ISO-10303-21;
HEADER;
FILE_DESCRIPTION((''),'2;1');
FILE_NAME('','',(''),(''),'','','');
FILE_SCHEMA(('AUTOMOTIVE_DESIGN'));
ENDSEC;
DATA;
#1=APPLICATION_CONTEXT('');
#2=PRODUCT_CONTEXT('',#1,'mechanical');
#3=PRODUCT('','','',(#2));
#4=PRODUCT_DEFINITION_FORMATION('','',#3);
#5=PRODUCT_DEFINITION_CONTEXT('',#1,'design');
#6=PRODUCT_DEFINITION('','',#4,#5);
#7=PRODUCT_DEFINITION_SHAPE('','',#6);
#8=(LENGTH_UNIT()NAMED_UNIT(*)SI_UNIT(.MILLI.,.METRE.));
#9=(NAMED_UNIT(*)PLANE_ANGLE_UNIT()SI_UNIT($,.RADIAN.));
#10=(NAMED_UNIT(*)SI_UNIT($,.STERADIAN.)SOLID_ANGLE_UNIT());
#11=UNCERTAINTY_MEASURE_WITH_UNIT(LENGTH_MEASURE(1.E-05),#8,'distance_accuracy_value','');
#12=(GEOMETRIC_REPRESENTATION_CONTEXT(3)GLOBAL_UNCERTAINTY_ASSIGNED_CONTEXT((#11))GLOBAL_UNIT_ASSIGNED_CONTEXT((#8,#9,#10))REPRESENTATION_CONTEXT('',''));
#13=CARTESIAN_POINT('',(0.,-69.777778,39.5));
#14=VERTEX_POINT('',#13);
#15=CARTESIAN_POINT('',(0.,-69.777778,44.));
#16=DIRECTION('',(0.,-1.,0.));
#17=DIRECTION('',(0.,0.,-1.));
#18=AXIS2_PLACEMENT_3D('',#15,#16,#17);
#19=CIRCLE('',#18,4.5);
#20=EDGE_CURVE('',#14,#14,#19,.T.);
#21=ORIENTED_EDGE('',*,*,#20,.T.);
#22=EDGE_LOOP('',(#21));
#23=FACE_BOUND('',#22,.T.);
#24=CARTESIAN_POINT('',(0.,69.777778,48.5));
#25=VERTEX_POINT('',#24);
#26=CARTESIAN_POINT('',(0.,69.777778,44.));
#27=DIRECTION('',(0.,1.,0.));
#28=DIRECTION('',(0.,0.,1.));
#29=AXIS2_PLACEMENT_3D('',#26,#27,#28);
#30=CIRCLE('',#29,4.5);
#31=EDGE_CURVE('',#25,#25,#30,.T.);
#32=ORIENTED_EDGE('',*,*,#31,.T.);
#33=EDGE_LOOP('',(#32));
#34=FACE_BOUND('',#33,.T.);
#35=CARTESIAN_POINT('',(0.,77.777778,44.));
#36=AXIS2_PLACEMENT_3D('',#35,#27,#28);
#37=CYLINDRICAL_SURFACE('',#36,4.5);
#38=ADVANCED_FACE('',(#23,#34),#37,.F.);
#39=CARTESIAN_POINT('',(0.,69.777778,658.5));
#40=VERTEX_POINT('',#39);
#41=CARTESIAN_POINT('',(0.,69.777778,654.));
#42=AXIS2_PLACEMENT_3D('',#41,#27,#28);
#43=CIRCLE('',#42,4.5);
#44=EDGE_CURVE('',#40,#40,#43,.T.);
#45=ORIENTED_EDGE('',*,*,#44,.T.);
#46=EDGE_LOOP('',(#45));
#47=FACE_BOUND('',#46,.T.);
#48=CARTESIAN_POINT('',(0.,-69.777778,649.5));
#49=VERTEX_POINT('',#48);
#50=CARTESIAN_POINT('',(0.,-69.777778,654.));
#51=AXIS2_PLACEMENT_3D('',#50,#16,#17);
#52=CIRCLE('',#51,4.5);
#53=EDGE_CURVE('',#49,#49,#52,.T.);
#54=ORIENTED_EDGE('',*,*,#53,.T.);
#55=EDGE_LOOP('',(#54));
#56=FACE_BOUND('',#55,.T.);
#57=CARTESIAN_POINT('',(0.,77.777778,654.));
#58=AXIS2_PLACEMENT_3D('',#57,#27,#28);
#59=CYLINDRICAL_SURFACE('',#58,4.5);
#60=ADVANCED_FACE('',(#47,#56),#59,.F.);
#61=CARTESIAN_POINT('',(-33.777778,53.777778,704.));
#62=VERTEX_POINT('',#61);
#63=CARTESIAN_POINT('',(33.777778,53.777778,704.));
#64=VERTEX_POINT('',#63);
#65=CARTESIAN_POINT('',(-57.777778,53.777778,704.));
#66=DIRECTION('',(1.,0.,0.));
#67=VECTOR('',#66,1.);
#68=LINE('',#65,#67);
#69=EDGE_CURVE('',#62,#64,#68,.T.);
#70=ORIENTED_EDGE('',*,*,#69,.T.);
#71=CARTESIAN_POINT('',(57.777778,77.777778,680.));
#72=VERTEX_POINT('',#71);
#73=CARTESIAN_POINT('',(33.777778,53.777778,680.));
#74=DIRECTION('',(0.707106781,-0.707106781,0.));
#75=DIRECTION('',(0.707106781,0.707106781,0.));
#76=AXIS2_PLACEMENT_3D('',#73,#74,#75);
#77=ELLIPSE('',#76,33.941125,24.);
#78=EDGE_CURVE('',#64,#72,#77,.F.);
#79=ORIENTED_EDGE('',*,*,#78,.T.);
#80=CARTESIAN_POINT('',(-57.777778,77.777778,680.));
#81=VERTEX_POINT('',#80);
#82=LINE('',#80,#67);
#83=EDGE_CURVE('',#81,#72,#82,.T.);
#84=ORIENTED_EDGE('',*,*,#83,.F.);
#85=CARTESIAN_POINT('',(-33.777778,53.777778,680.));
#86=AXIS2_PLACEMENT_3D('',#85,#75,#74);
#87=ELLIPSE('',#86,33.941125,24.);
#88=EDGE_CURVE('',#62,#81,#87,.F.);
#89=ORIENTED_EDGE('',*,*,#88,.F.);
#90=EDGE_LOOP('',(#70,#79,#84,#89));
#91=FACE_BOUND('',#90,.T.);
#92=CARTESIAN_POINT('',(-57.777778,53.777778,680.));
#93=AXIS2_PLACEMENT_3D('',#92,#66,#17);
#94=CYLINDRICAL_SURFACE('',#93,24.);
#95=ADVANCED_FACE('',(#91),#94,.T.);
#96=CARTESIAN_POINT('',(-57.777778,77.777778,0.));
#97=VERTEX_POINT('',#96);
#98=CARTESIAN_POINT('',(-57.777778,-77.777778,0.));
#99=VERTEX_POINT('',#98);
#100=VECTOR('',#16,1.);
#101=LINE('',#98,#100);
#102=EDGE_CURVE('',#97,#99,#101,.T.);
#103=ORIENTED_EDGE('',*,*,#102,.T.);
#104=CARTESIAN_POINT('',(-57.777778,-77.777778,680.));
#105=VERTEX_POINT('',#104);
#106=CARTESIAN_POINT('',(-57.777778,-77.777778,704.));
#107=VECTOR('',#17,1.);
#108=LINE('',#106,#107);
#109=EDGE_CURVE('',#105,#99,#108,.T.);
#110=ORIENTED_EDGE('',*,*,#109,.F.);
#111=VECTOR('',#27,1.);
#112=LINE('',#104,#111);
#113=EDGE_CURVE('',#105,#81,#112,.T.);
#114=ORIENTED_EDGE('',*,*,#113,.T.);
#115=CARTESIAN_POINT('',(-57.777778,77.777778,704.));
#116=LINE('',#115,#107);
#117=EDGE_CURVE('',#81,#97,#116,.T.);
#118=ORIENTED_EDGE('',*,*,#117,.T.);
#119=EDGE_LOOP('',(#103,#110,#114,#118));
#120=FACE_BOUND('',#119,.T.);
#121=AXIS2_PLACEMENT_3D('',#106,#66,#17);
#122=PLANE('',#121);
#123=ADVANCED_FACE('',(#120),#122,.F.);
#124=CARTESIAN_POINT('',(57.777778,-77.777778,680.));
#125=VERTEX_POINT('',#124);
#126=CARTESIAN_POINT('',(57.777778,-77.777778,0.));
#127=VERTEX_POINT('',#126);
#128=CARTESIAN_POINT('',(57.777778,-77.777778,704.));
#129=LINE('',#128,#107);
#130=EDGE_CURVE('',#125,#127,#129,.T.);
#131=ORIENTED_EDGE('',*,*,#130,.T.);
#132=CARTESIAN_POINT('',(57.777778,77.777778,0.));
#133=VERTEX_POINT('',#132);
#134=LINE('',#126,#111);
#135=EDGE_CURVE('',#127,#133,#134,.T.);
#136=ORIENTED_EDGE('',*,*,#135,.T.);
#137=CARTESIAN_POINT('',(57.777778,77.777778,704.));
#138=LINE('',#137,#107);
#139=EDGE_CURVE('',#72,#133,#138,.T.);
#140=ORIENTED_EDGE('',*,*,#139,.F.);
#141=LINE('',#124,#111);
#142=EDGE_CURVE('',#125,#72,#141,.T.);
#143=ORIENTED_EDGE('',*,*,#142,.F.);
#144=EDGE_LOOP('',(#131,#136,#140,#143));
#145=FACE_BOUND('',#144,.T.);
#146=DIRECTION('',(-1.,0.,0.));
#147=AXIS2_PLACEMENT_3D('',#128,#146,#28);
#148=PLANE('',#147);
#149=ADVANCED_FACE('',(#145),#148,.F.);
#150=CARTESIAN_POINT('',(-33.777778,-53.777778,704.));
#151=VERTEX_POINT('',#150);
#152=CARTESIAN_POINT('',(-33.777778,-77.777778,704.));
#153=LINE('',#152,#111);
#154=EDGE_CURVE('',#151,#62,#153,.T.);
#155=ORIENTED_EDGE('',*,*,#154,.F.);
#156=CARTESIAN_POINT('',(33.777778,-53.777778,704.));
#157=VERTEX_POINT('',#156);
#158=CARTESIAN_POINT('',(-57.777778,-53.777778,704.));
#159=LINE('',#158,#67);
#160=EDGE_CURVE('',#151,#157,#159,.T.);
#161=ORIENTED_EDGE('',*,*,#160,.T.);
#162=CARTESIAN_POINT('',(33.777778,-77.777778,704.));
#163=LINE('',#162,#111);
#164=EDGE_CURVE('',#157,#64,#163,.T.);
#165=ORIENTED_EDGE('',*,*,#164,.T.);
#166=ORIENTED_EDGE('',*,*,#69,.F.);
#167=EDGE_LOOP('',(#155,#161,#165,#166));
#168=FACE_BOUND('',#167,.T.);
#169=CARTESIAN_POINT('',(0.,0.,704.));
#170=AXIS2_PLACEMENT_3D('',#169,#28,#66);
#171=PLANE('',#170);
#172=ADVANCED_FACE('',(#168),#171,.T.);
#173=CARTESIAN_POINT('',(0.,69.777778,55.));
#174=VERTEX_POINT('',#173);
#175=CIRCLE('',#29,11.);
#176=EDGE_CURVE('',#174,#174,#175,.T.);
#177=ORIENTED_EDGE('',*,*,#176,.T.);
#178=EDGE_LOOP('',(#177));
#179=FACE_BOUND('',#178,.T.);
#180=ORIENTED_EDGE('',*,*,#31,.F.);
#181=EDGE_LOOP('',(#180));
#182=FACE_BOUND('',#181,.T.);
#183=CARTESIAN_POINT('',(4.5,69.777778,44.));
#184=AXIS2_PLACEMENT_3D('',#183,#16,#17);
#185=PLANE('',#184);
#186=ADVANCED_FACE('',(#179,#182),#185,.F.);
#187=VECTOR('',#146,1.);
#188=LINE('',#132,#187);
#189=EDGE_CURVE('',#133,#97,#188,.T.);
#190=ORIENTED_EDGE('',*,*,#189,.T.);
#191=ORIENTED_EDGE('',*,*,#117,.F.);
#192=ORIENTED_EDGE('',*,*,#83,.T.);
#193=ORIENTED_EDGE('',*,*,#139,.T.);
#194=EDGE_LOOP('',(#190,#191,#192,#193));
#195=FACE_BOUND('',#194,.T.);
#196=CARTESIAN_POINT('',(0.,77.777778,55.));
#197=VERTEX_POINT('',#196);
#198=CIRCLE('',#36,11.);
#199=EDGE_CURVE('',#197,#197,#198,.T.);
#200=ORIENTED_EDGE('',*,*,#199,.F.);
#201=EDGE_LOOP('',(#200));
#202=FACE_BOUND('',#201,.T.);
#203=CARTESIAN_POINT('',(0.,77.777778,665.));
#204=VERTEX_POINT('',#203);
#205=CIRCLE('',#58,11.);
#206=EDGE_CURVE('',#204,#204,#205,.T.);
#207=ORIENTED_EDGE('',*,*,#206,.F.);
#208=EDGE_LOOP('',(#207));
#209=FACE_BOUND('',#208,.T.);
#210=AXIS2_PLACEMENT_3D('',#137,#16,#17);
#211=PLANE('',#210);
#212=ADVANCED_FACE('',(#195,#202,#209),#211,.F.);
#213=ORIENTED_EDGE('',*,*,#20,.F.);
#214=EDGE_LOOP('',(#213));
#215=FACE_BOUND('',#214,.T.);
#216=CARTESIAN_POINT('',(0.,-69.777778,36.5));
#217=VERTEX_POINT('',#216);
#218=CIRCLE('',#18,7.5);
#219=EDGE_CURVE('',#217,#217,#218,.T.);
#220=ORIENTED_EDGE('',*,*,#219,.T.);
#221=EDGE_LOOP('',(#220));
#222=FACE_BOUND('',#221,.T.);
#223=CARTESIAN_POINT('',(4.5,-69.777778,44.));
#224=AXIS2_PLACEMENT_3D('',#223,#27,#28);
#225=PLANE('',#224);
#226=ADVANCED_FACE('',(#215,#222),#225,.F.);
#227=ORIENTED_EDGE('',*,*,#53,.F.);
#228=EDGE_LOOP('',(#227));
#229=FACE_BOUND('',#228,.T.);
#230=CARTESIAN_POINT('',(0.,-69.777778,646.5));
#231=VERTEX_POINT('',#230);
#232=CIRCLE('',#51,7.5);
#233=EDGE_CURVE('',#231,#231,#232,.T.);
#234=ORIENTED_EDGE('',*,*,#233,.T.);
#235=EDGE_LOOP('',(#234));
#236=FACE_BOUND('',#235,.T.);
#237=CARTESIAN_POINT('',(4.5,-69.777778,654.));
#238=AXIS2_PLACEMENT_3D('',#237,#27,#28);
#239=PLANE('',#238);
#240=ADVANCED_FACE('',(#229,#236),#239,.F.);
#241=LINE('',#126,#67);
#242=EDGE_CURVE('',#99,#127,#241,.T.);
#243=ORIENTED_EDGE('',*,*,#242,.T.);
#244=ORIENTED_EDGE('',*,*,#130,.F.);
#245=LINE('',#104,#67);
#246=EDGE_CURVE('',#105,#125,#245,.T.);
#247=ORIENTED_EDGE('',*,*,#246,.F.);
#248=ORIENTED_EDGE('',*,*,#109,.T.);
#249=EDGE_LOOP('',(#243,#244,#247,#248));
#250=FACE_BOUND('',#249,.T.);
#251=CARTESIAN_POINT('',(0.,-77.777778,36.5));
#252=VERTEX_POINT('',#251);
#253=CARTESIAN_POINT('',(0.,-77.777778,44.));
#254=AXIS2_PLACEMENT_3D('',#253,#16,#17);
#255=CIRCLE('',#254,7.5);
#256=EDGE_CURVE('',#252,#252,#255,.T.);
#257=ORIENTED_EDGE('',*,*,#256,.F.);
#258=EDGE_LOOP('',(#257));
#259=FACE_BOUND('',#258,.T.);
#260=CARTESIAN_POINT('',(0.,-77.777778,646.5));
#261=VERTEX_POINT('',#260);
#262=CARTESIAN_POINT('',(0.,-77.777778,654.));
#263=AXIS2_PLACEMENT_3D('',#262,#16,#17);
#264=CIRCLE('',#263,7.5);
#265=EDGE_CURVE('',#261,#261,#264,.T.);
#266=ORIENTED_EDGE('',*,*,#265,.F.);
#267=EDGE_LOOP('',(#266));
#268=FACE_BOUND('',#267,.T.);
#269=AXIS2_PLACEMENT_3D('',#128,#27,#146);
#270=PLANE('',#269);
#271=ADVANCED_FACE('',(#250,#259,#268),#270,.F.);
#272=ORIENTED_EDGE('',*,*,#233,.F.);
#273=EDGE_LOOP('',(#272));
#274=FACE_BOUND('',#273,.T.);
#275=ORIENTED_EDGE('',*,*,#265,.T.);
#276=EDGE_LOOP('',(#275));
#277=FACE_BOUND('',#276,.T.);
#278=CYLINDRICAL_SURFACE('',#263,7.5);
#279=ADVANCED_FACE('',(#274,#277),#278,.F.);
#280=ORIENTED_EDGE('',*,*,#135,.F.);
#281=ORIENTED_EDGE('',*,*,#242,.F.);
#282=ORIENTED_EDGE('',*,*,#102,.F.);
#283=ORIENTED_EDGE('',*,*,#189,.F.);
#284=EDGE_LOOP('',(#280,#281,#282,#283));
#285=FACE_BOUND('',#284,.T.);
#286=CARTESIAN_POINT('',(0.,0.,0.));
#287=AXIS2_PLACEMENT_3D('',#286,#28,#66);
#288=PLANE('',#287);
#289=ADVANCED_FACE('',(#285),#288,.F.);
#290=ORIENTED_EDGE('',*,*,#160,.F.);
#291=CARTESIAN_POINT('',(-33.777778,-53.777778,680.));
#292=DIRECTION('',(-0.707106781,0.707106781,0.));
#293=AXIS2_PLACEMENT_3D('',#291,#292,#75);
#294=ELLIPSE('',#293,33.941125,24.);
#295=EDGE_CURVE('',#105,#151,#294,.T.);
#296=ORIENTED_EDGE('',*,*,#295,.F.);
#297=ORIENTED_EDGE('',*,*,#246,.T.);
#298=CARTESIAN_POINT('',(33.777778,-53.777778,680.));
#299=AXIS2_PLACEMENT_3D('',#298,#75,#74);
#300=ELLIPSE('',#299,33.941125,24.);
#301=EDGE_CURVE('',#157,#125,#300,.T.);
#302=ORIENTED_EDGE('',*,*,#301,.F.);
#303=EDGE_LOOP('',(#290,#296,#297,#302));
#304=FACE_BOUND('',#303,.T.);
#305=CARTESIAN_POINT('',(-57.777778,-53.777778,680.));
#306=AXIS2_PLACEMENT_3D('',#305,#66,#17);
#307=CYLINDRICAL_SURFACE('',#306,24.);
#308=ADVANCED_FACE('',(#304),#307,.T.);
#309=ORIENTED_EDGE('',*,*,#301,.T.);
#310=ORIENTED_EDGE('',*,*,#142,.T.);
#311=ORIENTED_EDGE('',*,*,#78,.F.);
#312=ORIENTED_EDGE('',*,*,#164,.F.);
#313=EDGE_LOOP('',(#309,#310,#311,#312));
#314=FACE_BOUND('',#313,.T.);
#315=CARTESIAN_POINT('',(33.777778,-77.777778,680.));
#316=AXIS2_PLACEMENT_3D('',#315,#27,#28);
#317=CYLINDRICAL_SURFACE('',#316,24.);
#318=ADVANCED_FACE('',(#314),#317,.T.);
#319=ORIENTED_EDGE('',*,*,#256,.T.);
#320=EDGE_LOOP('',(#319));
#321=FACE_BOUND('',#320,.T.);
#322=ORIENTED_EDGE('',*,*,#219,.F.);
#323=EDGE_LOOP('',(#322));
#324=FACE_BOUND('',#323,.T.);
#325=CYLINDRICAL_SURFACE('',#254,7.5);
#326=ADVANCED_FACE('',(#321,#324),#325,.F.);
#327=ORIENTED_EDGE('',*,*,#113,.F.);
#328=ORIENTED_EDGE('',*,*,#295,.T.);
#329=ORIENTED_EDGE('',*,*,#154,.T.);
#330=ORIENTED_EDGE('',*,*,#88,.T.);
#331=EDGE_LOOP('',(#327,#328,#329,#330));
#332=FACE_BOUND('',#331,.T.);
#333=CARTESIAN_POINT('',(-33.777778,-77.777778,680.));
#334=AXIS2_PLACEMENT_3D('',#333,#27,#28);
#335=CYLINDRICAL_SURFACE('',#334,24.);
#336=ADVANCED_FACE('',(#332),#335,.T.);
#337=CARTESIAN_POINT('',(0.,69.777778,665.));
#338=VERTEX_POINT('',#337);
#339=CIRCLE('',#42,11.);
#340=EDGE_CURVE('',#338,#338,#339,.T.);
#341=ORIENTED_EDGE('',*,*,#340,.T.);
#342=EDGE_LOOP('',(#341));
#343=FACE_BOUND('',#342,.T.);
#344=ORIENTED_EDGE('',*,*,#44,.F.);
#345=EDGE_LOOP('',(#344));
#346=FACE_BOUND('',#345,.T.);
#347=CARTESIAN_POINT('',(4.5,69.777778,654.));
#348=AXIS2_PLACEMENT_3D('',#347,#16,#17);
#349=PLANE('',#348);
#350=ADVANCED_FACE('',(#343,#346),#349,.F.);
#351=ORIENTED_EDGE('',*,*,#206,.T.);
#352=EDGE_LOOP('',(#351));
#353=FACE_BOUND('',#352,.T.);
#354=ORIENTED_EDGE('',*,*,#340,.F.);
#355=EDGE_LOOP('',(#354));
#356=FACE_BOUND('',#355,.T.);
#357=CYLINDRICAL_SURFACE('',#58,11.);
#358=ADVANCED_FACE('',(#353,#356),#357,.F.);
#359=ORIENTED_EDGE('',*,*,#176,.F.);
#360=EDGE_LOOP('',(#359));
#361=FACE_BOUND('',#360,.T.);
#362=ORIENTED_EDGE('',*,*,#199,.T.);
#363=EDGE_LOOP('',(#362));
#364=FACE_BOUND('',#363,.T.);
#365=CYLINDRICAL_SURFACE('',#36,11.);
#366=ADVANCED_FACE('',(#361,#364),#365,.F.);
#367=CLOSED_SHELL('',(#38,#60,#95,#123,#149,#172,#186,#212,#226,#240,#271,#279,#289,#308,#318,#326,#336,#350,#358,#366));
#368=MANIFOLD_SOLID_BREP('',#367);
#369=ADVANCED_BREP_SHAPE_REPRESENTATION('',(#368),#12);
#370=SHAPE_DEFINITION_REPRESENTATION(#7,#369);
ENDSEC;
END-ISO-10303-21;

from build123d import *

# Parameters (mm, degrees)
SKIZZE1_W                                           = 115.555555556
SKIZZE1_H                                           = 155.555555556
AUFSATZ_LINEAR_AUSTRAGEN1_DEPTH                     = 704
SCHNITT_LINEAR_AUSTRAGEN1_DEPTH                     = 718.647872662
SCHNITT_LINEAR_AUSTRAGEN2_DEPTH                     = 724.292335414
SPIEGELN2_COPY_1_DEPTH                              = 718.647872662
SPIEGELN2_COPY_2_DEPTH                              = 718.647872662
STIRNSENKUNG_F_R_M8_SENKSCHRAUBE_KOPF_B_D           = 9
STIRNSENKUNG_F_R_M8_SENKSCHRAUBE_KOPF_B_CBORE_D     = 22
STIRNSENKUNG_F_R_M8_SENKSCHRAUBE_KOPF_B_CBORE_DEPTH = 8
STIRNSENKUNG_F_R_M8_SENKSCHRAUBE_KO_2_D             = 9
STIRNSENKUNG_F_R_M8_SENKSCHRAUBE_KO_2_CBORE_D       = 15
STIRNSENKUNG_F_R_M8_SENKSCHRAUBE_KO_2_CBORE_DEPTH   = 8


with BuildPart() as part:
    # Skizze1 → Aufsatz-Linear austragen1 (new body)
    with BuildSketch(Plane.XY):
        Rectangle(SKIZZE1_W, SKIZZE1_H)
    extrude(amount=AUFSATZ_LINEAR_AUSTRAGEN1_DEPTH)

    # Skizze2 → Schnitt-Linear austragen1 (cut, through all)
    with BuildSketch(Plane(origin=(57.777777778, 0, 0), x_dir=(0, 0, -1), z_dir=(1, 0, 0))):
        with BuildLine():
            Line((-704, 53.777777778), (-704, 77.777777778))
            Line((-704, 77.777777778), (-680, 77.777777778))
            ThreePointArc((-680, 77.777777778), (-696.970562748, 70.748340526), (-704, 53.777777778))
        make_face()
    schnitt_linear_austragen1 = extrude(amount=-SCHNITT_LINEAR_AUSTRAGEN1_DEPTH, mode=Mode.SUBTRACT)

    # Skizze3 → Schnitt-Linear austragen2 (cut, through all)
    with BuildSketch(Plane(origin=(0, 77.777777778, 0), x_dir=(1, 0, 0), z_dir=(0, 1, 0))):
        with BuildLine():
            Line((-57.777777778, -680), (-57.777777778, -704))
            Line((-57.777777778, -704), (-33.777777778, -704))
            ThreePointArc((-33.777777778, -704), (-50.748340526, -696.970562748), (-57.777777778, -680))
        make_face()
    schnitt_linear_austragen2 = extrude(amount=-SCHNITT_LINEAR_AUSTRAGEN2_DEPTH, mode=Mode.SUBTRACT)

    # Spiegeln1: Schnitt-Linear austragen1 across plane
    add(schnitt_linear_austragen1.mirror(Plane.ZX), mode=Mode.SUBTRACT)

    # Spiegeln2: Schnitt-Linear austragen2 across plane
    add(schnitt_linear_austragen2.mirror(Plane(origin=(0, 0, 0), x_dir=(0, 0, 1), z_dir=(1, 0, 0))), mode=Mode.SUBTRACT)

    # Spiegeln2 copy 1 sketch → Spiegeln2 copy 1 (cut, through all)
    with BuildSketch(Plane(origin=(-57.777777778, 0, 0), x_dir=(0, 0, -1), z_dir=(-1, 0, 0))):
        with BuildLine():
            Line((-704, 53.777777778), (-704, 77.777777778))
            Line((-704, 77.777777778), (-680, 77.777777778))
            ThreePointArc((-680, 77.777777778), (-696.970562748, 70.748340526), (-704, 53.777777778))
        make_face()
    extrude(amount=-SPIEGELN2_COPY_1_DEPTH, mode=Mode.SUBTRACT)

    # Spiegeln2 copy 2 sketch → Spiegeln2 copy 2 (cut, through all)
    with BuildSketch(Plane(origin=(-57.777777778, 0, 0), x_dir=(0, 0, -1), z_dir=(-1, 0, 0))):
        with BuildLine():
            Line((-704, -53.777777778), (-704, -77.777777778))
            Line((-704, -77.777777778), (-680, -77.777777778))
            ThreePointArc((-680, -77.777777778), (-696.970562748, -70.748340526), (-704, -53.777777778))
        make_face()
    extrude(amount=-SPIEGELN2_COPY_2_DEPTH, mode=Mode.SUBTRACT)

    # Stirnsenkung f_r M8 Senkschraube _Kopf B (through all)
    with Locations(Plane(origin=(0, 77.777777778, 0), x_dir=(1, 0, 0), z_dir=(0, 1, 0))):
        with Locations((0, -654), (0, -44)):
            CounterBoreHole(STIRNSENKUNG_F_R_M8_SENKSCHRAUBE_KOPF_B_D / 2, STIRNSENKUNG_F_R_M8_SENKSCHRAUBE_KOPF_B_CBORE_D / 2, STIRNSENKUNG_F_R_M8_SENKSCHRAUBE_KOPF_B_CBORE_DEPTH)

    # Stirnsenkung f_r M8 Senkschraube _Ko 2 (through all)
    with Locations(Plane(origin=(0, -77.777777778, 0), x_dir=(-1, 0, 0), z_dir=(0, -1, 0))):
        with Locations((0, -654), (0, -44)):
            CounterBoreHole(STIRNSENKUNG_F_R_M8_SENKSCHRAUBE_KO_2_D / 2, STIRNSENKUNG_F_R_M8_SENKSCHRAUBE_KO_2_CBORE_D / 2, STIRNSENKUNG_F_R_M8_SENKSCHRAUBE_KO_2_CBORE_DEPTH)


solid = part.part
